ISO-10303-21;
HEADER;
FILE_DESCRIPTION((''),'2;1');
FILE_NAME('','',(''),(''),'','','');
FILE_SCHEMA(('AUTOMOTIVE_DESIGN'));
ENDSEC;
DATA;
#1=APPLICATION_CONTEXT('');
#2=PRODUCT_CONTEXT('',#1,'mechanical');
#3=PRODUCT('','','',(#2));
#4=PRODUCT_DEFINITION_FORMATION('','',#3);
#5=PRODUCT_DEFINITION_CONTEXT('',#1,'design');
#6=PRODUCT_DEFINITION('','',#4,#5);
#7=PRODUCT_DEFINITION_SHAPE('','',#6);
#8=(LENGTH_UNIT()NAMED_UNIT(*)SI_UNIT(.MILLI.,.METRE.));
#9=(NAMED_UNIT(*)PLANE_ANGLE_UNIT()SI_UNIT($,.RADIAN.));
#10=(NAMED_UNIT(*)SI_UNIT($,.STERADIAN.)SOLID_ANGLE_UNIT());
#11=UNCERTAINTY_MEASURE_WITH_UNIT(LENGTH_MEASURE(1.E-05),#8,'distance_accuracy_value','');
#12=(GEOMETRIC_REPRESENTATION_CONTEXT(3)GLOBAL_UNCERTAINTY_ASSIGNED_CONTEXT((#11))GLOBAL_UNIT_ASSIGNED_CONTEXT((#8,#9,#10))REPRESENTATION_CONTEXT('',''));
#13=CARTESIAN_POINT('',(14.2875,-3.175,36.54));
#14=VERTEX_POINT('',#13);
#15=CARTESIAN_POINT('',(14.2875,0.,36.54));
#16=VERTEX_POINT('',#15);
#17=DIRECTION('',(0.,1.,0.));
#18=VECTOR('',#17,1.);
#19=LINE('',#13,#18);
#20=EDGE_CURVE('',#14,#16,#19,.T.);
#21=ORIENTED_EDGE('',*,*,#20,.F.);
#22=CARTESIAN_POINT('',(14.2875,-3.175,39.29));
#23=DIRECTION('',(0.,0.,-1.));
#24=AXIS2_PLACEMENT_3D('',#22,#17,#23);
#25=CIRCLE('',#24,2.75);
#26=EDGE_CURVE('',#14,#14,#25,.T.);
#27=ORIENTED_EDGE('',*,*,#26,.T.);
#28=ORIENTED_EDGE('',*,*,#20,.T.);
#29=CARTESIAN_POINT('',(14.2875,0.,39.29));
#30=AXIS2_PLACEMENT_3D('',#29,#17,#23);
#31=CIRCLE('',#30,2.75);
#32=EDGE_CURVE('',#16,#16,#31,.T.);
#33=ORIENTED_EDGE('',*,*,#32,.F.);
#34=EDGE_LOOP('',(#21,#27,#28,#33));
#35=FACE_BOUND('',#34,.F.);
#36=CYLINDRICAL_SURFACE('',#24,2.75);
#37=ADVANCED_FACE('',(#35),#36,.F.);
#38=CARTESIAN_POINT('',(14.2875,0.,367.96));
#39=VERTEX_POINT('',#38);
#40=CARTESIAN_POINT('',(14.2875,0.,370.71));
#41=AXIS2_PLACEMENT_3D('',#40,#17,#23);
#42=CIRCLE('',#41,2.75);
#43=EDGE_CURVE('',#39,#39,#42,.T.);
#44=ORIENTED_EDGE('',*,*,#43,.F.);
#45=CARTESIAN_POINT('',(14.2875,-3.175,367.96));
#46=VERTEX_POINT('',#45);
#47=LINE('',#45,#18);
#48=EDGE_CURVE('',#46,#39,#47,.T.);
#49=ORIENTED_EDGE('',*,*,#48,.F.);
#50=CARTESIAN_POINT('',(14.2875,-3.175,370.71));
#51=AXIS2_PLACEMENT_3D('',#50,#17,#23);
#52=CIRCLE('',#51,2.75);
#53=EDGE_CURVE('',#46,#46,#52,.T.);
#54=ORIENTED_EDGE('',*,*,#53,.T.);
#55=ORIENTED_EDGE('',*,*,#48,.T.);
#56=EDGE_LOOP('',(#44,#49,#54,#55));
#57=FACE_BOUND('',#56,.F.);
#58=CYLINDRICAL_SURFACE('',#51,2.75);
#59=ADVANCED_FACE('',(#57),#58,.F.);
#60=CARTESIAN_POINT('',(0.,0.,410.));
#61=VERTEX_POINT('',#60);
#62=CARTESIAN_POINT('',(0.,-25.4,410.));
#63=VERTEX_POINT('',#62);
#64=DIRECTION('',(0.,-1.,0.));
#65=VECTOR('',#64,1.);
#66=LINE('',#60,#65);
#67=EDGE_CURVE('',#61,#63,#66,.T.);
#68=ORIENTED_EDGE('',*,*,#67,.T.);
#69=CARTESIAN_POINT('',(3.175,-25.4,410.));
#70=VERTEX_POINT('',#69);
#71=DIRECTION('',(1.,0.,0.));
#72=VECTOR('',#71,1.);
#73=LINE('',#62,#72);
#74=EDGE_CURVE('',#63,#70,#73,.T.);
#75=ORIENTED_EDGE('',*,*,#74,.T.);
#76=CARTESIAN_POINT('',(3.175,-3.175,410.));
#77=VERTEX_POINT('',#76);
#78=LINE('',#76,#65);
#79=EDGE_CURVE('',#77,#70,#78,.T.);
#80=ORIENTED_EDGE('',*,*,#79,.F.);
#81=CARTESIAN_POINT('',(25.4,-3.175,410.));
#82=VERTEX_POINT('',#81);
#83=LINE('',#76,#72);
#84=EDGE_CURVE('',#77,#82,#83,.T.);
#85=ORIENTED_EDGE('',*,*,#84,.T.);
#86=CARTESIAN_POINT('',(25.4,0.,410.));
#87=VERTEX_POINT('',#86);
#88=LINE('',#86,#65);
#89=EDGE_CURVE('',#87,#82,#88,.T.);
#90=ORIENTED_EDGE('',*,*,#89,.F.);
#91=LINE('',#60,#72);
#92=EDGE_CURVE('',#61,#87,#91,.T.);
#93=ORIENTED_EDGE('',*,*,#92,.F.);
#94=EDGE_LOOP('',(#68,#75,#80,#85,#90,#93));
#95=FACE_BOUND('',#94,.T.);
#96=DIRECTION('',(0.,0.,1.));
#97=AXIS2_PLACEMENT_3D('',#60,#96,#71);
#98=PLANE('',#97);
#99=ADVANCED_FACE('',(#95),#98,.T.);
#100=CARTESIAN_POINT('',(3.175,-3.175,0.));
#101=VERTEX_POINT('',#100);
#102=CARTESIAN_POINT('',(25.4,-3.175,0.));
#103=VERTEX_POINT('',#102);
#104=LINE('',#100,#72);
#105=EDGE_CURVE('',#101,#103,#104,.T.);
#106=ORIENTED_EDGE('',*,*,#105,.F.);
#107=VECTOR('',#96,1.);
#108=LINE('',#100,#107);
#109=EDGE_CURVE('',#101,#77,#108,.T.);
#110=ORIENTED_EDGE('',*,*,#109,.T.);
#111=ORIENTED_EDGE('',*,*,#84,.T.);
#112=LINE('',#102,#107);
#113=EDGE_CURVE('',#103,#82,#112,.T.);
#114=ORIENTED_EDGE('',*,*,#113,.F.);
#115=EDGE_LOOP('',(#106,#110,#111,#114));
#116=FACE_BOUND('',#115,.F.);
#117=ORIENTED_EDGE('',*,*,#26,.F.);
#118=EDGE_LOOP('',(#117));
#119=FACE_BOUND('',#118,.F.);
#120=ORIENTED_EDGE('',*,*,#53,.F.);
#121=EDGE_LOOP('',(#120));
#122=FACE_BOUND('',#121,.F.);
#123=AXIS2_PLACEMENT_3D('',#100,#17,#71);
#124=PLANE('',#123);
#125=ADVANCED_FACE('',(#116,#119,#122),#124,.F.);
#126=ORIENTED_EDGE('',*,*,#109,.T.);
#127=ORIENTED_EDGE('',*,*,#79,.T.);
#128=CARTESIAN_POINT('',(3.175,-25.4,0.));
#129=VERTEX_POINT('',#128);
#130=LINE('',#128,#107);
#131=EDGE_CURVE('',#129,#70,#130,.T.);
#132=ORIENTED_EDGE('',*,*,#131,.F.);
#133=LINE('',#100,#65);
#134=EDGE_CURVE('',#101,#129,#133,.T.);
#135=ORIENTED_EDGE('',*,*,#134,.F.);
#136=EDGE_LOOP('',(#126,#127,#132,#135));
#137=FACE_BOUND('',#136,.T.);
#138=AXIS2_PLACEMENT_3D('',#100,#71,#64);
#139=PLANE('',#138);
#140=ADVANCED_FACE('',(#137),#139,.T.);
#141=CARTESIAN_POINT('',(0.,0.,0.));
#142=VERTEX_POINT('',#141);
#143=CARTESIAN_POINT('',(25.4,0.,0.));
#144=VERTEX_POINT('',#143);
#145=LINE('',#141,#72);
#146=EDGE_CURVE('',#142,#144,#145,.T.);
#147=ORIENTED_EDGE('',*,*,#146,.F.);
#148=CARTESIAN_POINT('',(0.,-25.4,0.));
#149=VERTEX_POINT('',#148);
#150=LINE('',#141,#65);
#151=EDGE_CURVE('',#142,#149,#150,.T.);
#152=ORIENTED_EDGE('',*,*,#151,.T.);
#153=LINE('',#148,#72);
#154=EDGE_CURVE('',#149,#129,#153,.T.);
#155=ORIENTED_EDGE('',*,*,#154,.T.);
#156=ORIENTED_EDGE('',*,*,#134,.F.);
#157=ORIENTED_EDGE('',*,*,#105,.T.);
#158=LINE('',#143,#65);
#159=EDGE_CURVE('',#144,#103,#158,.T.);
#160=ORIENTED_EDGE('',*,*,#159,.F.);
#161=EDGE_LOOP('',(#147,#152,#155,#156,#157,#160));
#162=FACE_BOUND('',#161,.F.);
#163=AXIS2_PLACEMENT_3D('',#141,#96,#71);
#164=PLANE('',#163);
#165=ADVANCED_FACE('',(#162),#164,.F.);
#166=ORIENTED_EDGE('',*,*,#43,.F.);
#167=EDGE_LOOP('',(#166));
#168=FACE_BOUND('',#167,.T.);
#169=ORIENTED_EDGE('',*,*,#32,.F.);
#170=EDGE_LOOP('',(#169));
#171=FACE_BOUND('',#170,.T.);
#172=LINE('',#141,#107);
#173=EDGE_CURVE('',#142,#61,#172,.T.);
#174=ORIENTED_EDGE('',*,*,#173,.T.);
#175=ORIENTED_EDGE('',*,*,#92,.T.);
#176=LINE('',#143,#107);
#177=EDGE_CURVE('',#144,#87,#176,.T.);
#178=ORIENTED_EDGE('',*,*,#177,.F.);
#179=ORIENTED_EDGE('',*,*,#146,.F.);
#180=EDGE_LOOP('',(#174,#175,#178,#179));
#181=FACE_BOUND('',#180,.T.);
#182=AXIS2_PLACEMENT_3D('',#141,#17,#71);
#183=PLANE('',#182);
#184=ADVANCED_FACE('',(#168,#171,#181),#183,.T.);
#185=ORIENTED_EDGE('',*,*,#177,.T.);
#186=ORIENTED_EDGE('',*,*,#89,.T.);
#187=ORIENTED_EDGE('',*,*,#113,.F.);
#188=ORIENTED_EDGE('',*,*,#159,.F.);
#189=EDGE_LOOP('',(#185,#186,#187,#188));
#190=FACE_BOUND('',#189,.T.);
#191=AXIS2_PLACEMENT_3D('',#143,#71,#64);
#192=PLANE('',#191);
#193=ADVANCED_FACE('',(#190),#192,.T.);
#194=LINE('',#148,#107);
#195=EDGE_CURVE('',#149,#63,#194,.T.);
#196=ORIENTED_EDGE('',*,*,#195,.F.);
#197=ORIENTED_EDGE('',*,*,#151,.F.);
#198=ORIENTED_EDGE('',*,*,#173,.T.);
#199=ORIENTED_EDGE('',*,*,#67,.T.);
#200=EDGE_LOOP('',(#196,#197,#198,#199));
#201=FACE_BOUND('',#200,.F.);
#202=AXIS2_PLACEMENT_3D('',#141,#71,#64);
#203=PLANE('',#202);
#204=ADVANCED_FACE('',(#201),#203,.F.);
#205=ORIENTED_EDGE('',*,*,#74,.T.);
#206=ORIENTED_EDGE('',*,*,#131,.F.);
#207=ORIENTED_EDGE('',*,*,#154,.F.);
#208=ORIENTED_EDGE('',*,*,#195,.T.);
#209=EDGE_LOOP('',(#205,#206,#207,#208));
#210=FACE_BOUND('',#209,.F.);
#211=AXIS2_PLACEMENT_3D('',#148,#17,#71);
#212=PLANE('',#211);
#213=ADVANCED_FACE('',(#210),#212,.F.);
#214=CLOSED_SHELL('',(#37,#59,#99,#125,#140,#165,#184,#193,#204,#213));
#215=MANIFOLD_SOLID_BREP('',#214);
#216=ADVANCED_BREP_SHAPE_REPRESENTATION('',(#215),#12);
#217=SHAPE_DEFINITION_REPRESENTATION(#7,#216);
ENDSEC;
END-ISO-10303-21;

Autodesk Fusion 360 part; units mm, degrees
sketch "Sketch1" plane through (0, 0, 0) normal (0, 0, 1) x (1, 0, 0)
  line L0 (0, 0) -> (25.4, 0)
  line L1 (0, 0) -> (0, -25.4)
  line L2 (3.175, -3.175) -> (25.4, -3.175)
  line L3 (3.175, -3.175) -> (3.175, -25.4)
  line L4 (25.4, 0) -> (25.4, -3.175)
  line L5 (0, -25.4) -> (3.175, -25.4)
  dimension "d1" = 25.4
  dimension "d2" = -3.175
extrude "Extrude1" add sketch "Sketch1" along normal blind 410
sketch "Sketch2" plane through (0, -3.175, 0) normal (0, -1, 0) x (1, 0, 0)
  line L0 (3.175, 0) -> (25.4, 0)
  line L1 (25.4, 0) -> (25.4, 410)
  line L2 (25.4, 410) -> (3.175, 410)
  line L3 (3.175, 410) -> (3.175, 0)
  circle A0 centre (14.2875, 370.71) radius 4.4166
  circle A1 centre (14.2875, 39.29) radius 4.4166
  line L4 (14.2875, 410) -> (14.2875, 0) construction
  line L5 (14.2875, 205) -> (25.4, 205) construction
  dimension "d6" = 165.71
  dimension "d7" = 165.71
hole "Hole1" at (14.2875, -3.175, 370.71) at (14.2875, -3.175, 39.29) direction (0, 1, 0) diameter 5.5 depth 7 tip angle 118
